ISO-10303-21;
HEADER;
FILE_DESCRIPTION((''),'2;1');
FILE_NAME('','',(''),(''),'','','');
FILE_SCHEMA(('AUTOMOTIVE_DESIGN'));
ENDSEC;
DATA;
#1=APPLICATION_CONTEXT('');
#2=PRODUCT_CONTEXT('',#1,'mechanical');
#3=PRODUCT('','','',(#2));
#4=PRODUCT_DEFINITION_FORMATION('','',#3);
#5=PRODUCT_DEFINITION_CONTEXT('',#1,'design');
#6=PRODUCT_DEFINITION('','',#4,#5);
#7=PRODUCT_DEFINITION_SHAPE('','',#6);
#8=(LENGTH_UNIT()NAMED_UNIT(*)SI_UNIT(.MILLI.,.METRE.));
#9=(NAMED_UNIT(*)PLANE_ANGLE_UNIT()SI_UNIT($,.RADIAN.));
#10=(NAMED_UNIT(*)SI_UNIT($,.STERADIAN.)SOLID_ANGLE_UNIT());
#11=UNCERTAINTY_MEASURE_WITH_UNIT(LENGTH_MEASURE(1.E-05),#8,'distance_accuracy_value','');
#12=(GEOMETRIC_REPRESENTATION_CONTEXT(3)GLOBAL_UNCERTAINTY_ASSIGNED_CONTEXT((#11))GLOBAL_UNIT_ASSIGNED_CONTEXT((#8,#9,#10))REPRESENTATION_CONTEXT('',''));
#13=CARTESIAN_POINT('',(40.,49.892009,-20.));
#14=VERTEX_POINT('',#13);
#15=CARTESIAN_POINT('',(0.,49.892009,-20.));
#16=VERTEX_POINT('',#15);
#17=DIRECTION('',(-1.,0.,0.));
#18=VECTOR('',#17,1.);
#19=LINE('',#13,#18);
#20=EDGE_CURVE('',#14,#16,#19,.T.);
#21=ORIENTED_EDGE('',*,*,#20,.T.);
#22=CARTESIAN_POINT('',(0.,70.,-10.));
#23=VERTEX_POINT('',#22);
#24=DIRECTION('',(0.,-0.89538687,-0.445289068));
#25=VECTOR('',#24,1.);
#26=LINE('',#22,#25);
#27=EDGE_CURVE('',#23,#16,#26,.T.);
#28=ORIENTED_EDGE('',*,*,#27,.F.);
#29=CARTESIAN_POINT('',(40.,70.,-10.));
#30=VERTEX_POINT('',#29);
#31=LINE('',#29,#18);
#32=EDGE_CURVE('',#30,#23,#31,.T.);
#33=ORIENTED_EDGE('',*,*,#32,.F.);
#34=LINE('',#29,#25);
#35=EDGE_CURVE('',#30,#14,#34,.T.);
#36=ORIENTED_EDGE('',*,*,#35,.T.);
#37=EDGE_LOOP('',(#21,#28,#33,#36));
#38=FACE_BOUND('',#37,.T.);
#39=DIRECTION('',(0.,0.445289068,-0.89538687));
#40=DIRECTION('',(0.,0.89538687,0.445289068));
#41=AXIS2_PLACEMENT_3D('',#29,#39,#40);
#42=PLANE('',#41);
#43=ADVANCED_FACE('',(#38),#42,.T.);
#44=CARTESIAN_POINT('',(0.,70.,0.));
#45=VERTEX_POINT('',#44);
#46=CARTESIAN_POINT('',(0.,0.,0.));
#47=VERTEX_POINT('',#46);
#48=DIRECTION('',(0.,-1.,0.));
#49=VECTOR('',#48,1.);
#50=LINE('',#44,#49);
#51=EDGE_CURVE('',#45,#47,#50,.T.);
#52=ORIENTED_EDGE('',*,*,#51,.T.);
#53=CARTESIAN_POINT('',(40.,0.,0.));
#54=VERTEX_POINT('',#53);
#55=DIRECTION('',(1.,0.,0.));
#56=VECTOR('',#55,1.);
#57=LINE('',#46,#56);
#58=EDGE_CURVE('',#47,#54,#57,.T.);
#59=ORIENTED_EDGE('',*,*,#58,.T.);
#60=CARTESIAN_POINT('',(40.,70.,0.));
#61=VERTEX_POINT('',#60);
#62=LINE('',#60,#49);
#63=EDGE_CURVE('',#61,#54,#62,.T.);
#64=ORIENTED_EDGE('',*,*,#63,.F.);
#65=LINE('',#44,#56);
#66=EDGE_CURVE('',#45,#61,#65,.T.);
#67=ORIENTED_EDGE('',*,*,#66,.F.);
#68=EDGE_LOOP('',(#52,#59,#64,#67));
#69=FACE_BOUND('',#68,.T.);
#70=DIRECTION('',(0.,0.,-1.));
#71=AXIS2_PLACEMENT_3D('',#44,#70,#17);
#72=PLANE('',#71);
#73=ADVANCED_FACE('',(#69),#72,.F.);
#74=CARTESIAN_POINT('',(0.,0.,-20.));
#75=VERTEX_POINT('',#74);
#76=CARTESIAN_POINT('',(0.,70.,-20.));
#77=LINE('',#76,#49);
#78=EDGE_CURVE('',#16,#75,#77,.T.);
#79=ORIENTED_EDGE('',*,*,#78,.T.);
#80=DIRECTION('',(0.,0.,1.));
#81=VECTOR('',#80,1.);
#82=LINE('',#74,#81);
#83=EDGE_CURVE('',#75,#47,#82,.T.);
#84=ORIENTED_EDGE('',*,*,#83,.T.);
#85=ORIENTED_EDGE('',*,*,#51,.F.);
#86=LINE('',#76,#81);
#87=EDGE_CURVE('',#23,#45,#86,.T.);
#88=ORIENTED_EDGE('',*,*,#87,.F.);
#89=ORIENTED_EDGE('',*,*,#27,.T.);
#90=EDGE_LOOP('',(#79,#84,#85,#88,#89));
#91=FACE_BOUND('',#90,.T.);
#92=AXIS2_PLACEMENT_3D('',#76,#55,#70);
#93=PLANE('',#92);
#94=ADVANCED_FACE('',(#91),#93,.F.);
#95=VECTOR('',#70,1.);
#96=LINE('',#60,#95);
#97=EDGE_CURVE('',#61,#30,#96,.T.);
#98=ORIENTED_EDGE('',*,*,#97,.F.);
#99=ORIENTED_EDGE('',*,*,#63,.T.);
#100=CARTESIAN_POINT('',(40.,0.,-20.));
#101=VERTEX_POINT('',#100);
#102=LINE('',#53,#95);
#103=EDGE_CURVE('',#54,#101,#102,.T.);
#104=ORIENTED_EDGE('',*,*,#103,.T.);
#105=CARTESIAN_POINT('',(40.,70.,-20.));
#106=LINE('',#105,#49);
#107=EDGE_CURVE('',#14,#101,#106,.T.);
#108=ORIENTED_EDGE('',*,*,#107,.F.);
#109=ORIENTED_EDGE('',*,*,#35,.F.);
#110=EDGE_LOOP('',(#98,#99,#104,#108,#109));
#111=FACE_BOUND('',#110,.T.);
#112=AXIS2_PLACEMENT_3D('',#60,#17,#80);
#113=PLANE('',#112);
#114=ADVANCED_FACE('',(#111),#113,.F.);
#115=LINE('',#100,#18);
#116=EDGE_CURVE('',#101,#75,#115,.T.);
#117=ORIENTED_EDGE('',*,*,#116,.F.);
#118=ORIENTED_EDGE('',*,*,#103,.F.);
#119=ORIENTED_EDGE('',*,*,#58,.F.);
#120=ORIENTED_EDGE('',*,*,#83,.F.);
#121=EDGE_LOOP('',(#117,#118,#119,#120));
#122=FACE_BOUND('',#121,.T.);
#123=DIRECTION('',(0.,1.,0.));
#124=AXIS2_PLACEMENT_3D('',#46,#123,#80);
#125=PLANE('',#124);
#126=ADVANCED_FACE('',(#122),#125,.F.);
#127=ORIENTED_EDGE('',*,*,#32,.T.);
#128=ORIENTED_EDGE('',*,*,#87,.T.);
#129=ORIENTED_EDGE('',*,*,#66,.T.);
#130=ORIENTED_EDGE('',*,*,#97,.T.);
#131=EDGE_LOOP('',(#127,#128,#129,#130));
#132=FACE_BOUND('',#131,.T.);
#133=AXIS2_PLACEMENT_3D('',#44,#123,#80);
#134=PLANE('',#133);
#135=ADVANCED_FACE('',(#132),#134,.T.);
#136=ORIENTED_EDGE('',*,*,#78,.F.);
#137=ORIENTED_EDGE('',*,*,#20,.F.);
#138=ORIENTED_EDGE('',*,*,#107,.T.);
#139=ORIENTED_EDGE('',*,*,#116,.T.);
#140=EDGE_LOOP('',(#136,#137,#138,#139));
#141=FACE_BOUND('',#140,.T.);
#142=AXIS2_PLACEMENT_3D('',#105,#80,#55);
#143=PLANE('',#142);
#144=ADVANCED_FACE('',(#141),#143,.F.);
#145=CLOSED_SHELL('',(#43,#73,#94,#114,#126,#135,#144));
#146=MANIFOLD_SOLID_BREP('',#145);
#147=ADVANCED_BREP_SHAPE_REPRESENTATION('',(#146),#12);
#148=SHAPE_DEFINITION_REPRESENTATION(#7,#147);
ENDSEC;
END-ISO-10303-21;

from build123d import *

# Parameters (mm, degrees)
SKETCH1_W           = 40
SKETCH1_H           = 20
BOSS_EXTRUDE1_DEPTH = 70
CUT_EXTRUDE1_DEPTH  = 40


with BuildPart() as part:
    # Sketch1 → Boss-Extrude1 (new body)
    with BuildSketch(Plane(origin=(0, 0, 0), x_dir=(1, 0, 0), z_dir=(0, 1, 0))):
        with Locations((20, 10)):
            Rectangle(SKETCH1_W, SKETCH1_H)
    extrude(amount=BOSS_EXTRUDE1_DEPTH)

    # Sketch2 → Cut-Extrude1 (cut)
    with BuildSketch(Plane(origin=(0, 0, 0), x_dir=(0, 0, -1), z_dir=(1, 0, 0))):
        Polygon((10, 70), (20, 49.892008703), (27.740621585, 66.282102968), (20, 74.973147169), align=None)
    extrude(amount=CUT_EXTRUDE1_DEPTH, mode=Mode.SUBTRACT)


solid = part.part
